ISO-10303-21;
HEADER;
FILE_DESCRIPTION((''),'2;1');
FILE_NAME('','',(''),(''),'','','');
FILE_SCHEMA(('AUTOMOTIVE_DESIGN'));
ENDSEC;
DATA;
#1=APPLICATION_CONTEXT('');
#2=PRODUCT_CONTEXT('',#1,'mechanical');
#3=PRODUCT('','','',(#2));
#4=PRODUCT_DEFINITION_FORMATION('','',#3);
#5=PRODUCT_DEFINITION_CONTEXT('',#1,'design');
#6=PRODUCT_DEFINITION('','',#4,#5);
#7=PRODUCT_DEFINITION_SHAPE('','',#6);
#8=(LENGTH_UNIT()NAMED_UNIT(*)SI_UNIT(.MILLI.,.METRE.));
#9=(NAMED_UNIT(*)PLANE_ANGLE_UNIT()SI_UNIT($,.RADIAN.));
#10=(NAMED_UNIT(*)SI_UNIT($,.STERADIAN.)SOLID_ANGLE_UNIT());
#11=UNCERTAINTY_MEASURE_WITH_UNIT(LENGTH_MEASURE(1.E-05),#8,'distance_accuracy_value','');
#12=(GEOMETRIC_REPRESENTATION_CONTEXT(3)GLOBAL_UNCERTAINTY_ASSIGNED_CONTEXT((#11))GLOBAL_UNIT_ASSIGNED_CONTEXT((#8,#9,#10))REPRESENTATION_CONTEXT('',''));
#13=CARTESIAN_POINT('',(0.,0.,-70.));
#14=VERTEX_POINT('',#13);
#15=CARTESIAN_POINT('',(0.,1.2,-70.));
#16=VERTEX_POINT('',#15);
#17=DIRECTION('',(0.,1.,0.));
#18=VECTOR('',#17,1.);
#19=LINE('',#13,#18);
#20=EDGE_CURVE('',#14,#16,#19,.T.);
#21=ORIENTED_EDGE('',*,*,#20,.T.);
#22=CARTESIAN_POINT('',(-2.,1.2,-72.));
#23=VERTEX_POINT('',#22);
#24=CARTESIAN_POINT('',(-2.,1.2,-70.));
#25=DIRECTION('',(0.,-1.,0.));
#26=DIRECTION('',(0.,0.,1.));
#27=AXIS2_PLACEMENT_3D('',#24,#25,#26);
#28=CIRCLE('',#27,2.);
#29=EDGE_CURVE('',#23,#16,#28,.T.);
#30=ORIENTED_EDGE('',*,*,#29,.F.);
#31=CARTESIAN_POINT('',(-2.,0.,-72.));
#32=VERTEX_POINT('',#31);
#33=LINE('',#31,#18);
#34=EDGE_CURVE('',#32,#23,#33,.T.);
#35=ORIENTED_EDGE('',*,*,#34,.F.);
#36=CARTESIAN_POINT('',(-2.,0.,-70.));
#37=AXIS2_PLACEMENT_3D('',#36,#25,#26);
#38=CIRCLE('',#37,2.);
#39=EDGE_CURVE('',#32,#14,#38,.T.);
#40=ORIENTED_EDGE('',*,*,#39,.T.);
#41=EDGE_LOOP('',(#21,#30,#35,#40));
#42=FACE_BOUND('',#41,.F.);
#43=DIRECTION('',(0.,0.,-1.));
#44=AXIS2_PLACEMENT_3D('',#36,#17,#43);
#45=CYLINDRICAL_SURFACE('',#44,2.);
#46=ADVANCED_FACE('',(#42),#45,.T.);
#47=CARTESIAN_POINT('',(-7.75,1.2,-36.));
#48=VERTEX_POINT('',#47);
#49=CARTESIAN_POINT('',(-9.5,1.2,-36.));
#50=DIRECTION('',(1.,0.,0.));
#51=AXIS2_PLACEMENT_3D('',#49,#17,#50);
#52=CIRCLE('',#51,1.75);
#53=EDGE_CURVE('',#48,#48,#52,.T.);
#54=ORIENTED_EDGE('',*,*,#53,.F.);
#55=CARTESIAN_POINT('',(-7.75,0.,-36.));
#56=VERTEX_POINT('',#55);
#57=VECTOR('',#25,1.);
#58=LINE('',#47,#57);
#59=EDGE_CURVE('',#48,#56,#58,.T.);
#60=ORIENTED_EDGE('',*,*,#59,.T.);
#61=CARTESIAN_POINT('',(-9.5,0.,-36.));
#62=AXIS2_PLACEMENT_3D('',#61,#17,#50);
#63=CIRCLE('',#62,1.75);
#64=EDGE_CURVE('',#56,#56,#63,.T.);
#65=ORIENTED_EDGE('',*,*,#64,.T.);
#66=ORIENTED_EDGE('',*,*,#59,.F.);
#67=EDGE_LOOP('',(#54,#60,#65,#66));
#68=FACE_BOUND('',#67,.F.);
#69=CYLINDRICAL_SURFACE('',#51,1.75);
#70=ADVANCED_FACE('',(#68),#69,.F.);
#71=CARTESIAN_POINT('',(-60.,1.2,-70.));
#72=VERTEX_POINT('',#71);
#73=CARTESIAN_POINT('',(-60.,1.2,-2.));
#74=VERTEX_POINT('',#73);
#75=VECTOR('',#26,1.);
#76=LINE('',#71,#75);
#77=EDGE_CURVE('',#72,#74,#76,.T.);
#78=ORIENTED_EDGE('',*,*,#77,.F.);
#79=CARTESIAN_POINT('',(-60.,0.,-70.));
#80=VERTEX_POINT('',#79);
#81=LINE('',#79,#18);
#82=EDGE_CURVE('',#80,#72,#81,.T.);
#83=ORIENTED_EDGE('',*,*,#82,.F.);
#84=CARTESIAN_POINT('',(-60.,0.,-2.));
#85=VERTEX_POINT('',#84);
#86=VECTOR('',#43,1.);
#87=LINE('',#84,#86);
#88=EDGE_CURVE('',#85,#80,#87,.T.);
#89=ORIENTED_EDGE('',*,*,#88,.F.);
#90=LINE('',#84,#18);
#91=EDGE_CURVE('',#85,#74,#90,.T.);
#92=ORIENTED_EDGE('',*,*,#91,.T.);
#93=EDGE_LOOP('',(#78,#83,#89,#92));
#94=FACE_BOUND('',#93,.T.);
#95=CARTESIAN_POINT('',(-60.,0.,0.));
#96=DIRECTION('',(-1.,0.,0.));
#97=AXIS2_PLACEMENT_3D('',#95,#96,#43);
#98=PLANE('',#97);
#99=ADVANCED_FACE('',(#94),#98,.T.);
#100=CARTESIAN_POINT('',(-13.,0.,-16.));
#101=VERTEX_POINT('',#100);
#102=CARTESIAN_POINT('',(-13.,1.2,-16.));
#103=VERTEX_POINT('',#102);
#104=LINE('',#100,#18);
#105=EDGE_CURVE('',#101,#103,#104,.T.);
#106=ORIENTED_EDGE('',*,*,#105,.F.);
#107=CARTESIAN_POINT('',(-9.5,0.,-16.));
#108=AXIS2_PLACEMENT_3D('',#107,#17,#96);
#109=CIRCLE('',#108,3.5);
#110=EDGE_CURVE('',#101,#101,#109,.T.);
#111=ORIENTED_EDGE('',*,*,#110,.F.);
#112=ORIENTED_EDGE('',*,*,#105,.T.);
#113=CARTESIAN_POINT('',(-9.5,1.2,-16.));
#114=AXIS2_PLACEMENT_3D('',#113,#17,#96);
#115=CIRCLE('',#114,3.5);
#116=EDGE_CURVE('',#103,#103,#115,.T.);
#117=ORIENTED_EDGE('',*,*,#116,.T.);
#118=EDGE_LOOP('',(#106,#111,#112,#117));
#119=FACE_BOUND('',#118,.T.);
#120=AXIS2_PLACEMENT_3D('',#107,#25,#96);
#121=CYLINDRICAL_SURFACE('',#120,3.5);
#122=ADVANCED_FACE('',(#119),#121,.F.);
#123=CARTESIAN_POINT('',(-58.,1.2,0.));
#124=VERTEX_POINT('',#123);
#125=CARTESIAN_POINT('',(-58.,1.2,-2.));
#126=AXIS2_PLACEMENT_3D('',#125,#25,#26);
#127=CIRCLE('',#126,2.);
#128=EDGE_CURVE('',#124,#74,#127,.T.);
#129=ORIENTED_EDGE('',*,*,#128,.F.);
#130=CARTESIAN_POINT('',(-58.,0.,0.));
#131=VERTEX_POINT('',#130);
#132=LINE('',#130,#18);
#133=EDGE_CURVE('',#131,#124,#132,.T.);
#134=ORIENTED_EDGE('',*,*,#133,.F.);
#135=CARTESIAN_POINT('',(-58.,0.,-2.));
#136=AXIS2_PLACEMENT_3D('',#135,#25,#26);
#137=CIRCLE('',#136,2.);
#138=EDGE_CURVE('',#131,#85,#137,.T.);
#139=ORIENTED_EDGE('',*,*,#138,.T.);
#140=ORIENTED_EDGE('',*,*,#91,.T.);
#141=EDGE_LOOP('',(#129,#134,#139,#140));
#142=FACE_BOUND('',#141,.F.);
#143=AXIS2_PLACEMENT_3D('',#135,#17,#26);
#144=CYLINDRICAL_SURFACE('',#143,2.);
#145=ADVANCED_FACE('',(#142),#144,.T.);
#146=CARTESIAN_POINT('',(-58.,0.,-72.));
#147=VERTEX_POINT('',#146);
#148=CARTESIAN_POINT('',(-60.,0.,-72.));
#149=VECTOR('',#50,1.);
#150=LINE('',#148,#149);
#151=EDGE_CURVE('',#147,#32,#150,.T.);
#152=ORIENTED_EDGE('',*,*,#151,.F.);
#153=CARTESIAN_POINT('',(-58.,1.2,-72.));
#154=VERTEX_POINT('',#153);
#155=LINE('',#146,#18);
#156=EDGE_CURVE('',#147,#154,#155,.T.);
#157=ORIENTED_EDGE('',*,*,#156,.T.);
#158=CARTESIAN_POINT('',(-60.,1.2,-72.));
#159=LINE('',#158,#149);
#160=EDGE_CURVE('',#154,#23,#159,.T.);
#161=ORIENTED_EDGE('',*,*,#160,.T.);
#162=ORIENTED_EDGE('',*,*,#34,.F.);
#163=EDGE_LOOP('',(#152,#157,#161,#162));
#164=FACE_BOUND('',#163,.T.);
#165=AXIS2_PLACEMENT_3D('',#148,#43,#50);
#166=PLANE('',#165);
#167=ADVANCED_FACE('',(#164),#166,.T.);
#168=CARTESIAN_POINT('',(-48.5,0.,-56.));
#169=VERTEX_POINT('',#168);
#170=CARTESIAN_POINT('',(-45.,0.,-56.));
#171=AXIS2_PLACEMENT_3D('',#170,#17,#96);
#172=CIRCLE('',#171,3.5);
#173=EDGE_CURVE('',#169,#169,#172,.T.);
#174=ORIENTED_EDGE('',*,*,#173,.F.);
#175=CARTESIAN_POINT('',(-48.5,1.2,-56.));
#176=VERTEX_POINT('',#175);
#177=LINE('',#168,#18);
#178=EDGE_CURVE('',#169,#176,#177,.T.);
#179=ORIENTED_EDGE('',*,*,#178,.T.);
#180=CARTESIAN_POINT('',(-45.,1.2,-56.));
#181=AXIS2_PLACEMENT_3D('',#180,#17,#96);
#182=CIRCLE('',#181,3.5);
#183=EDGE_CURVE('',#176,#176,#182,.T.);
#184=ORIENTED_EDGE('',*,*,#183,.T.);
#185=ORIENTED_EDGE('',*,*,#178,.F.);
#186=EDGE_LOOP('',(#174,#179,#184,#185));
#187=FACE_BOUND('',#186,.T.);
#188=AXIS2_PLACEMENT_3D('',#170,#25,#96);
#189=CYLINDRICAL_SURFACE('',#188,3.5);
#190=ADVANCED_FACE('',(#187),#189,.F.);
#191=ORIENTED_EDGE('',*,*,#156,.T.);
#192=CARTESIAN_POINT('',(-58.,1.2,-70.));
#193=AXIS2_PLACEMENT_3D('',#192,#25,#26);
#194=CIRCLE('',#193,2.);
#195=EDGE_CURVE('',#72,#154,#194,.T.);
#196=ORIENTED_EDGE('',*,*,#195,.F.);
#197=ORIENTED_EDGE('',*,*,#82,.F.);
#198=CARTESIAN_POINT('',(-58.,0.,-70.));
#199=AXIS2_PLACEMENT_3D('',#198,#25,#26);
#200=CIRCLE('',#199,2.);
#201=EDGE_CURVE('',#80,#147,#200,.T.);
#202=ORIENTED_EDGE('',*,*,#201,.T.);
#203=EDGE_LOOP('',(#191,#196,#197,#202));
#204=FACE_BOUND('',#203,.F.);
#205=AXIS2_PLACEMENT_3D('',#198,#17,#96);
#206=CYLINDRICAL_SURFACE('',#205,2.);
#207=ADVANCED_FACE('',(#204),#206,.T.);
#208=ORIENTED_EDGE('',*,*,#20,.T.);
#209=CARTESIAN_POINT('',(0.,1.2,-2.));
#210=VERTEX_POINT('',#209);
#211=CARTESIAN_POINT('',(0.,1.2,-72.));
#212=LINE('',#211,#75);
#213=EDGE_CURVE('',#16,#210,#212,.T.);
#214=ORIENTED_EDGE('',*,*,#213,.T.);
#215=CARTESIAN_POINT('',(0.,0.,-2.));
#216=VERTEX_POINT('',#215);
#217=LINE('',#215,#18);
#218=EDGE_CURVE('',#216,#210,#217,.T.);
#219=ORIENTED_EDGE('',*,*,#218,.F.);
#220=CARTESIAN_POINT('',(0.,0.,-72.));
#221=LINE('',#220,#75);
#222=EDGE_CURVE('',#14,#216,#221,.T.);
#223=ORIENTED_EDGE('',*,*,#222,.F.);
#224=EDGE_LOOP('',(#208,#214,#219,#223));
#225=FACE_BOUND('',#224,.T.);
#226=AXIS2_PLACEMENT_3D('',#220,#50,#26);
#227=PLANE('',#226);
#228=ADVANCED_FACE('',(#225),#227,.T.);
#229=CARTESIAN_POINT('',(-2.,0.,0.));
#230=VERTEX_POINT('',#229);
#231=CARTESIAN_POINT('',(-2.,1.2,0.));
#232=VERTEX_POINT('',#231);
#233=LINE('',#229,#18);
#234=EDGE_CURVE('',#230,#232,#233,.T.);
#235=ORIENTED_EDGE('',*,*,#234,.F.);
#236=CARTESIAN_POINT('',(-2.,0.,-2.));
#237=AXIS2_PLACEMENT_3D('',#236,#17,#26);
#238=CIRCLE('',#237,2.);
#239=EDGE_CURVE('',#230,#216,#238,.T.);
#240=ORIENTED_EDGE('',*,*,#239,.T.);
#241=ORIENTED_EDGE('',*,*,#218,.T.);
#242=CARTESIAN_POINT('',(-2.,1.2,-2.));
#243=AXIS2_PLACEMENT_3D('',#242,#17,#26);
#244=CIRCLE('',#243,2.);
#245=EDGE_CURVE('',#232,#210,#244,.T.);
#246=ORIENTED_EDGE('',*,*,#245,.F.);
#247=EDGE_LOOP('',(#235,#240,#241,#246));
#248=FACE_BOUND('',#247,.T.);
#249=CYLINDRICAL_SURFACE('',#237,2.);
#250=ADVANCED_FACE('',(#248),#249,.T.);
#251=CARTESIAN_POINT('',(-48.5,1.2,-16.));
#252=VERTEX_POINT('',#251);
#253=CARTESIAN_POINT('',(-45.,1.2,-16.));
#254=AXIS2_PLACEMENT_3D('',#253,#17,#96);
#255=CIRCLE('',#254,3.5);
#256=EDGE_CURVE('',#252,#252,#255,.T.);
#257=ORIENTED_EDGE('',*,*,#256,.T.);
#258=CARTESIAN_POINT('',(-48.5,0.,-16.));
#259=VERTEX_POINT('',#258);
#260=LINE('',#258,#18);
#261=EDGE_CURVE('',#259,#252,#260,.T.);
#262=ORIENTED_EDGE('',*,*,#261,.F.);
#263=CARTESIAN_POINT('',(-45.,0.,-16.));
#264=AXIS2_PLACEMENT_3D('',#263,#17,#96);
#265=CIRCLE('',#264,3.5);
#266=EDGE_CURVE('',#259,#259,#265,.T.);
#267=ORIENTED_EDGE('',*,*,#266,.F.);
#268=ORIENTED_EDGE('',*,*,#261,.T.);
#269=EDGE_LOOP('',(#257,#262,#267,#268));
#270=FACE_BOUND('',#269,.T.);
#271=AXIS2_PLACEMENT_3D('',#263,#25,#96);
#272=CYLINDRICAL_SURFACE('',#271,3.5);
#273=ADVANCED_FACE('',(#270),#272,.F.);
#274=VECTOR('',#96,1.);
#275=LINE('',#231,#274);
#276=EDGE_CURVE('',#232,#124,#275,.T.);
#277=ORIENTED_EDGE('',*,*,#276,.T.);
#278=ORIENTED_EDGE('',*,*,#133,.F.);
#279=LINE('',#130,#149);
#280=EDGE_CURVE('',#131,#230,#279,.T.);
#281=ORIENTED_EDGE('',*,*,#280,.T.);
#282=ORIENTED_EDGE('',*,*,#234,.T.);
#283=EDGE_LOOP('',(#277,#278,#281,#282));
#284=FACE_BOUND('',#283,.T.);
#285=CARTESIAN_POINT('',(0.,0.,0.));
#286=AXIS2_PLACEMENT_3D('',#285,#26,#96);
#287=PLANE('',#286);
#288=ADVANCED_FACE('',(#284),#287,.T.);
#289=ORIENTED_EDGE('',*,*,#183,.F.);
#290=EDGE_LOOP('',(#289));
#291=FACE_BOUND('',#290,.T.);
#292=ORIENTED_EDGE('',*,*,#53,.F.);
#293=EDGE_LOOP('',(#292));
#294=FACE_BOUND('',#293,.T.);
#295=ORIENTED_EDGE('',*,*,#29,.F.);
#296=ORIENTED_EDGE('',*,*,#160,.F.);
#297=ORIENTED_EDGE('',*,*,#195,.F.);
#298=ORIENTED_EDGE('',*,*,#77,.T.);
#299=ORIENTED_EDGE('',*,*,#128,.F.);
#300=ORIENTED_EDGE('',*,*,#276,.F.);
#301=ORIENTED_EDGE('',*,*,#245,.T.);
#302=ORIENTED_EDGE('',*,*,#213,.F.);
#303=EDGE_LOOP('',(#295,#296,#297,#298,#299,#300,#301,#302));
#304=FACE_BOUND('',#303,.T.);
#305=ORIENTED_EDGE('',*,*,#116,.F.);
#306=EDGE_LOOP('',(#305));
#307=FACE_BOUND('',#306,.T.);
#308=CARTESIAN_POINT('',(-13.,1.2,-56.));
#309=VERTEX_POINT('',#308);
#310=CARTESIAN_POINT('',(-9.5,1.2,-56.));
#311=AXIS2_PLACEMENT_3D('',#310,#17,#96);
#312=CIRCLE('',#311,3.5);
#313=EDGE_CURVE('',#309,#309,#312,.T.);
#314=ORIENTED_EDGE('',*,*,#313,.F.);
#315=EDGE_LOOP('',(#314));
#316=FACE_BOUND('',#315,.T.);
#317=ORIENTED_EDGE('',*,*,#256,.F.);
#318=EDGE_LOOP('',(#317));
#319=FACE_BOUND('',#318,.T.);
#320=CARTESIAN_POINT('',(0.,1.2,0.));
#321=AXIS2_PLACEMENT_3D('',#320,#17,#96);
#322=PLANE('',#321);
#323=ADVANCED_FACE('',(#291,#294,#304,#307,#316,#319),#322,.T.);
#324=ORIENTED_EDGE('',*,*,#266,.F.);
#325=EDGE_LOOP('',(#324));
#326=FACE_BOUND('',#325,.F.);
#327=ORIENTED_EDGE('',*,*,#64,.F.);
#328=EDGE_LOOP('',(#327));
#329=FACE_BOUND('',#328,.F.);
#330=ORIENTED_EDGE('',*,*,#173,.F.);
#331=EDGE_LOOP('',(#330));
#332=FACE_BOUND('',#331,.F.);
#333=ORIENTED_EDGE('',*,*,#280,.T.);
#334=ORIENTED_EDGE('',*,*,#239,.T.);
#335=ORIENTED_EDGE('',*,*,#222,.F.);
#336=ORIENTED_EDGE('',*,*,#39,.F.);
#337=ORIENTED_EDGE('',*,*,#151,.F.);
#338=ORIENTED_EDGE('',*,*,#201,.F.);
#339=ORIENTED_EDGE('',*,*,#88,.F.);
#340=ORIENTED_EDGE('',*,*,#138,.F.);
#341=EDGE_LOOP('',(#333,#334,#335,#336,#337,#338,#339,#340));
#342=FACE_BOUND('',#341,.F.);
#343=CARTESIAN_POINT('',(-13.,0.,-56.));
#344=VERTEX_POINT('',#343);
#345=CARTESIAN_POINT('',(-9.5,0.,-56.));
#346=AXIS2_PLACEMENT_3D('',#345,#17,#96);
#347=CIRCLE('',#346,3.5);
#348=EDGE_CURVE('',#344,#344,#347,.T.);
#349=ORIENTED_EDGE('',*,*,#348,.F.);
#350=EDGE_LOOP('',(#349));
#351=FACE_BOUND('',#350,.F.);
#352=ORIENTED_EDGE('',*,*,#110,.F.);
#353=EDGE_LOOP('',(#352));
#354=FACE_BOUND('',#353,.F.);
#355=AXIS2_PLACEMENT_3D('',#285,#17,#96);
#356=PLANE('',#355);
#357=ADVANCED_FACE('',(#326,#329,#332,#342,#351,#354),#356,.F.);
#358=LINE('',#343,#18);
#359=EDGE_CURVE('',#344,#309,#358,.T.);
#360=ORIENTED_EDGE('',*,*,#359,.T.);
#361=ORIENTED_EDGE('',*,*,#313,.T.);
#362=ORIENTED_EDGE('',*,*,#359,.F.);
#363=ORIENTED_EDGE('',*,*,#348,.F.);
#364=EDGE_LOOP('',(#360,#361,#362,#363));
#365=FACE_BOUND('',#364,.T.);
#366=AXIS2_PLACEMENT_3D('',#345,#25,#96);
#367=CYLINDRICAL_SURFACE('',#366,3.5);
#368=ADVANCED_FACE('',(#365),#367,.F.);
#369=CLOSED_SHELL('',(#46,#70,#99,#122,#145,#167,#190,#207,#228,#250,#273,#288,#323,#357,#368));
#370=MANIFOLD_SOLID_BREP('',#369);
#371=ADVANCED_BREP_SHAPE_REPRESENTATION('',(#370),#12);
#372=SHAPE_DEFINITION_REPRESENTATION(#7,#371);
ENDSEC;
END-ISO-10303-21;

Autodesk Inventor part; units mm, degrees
ref_plane "YZ Plane" through (0, 0, 0) normal (1, 0, 0) x (0, 1, 0)
ref_plane "XZ Plane" through (0, 0, 0) normal (0, 1, 0) x (-1, 0, 0)
ref_plane "XY Plane" through (0, 0, 0) normal (0, 0, 1) x (1, 0, 0)
sketch "Esboço1" plane through (0, 0, 0) normal (0, 1, 0) x (-1, 0, 0)
  line L0 (0, 0) -> (60, 0)
  line L1 (60, 0) -> (60, -12)
  line L2 (60, -12) -> (60, -19)
  line L3 (60, -19) -> (60, -53)
  line L4 (60, -53) -> (60, -60)
  line L5 (60, -60) -> (60, -72)
  line L6 (60, -72) -> (0, -72)
  line L7 (0, -72) -> (0, 0)
  line L8 (0, 0) -> (19, 0)
  line L9 (60, 0) -> (30, 0)
  circle A0 centre (45, -16) radius 3.5
  circle A1 centre (45, -56) radius 3.5
  circle A2 centre (9.5, -16) radius 3.5
  circle A3 centre (9.5, -56) radius 3.5
  dimension "d0" = 60
  dimension "d1" = 12
  dimension "d2" = 7
  dimension "d3" = 34
  dimension "d4" = 7
  dimension "d5" = 12
  dimension "d6" = 72
  dimension "d7" = 19
  dimension "d12" = 30
  dimension "d23" = 7
  dimension "d24" = 7
  dimension "d25" = 7
  dimension "d26" = 7
extrude "Extrusão2" add sketch "Esboço1" along normal blind 1.2
fillet "Arredondamento2" radius 2 4 edges at (-60, 0.6, 0) (-60, 0.6, -72) (0, 0.6, 0) (0, 0.6, -72)
sketch "Esboço2" plane through (0, 1.2, 0) normal (0, 1, 0) x (1, 0, 0)
  circle A0 centre (-45, 56) radius 3.5 projected
  line L0 (-45, 56) -> (-30, 56)
  line L1 (-30, 56) -> (-20, 56)
  line L2 (0, 2) -> (0, 70) projected
  circle A1 centre (-9.5, 16) radius 3.5 projected
  circle A2 centre (-9.5, 36) radius 1.75
  point P0 (0, 0)
  dimension "d30" = 15
  dimension "d31" = 10
extrude "Extrusão5" cut sketch "Esboço2" against normal blind 10 contours A2
properties part number "chapa-fixação-caixa" material "Aço galvanizado"
